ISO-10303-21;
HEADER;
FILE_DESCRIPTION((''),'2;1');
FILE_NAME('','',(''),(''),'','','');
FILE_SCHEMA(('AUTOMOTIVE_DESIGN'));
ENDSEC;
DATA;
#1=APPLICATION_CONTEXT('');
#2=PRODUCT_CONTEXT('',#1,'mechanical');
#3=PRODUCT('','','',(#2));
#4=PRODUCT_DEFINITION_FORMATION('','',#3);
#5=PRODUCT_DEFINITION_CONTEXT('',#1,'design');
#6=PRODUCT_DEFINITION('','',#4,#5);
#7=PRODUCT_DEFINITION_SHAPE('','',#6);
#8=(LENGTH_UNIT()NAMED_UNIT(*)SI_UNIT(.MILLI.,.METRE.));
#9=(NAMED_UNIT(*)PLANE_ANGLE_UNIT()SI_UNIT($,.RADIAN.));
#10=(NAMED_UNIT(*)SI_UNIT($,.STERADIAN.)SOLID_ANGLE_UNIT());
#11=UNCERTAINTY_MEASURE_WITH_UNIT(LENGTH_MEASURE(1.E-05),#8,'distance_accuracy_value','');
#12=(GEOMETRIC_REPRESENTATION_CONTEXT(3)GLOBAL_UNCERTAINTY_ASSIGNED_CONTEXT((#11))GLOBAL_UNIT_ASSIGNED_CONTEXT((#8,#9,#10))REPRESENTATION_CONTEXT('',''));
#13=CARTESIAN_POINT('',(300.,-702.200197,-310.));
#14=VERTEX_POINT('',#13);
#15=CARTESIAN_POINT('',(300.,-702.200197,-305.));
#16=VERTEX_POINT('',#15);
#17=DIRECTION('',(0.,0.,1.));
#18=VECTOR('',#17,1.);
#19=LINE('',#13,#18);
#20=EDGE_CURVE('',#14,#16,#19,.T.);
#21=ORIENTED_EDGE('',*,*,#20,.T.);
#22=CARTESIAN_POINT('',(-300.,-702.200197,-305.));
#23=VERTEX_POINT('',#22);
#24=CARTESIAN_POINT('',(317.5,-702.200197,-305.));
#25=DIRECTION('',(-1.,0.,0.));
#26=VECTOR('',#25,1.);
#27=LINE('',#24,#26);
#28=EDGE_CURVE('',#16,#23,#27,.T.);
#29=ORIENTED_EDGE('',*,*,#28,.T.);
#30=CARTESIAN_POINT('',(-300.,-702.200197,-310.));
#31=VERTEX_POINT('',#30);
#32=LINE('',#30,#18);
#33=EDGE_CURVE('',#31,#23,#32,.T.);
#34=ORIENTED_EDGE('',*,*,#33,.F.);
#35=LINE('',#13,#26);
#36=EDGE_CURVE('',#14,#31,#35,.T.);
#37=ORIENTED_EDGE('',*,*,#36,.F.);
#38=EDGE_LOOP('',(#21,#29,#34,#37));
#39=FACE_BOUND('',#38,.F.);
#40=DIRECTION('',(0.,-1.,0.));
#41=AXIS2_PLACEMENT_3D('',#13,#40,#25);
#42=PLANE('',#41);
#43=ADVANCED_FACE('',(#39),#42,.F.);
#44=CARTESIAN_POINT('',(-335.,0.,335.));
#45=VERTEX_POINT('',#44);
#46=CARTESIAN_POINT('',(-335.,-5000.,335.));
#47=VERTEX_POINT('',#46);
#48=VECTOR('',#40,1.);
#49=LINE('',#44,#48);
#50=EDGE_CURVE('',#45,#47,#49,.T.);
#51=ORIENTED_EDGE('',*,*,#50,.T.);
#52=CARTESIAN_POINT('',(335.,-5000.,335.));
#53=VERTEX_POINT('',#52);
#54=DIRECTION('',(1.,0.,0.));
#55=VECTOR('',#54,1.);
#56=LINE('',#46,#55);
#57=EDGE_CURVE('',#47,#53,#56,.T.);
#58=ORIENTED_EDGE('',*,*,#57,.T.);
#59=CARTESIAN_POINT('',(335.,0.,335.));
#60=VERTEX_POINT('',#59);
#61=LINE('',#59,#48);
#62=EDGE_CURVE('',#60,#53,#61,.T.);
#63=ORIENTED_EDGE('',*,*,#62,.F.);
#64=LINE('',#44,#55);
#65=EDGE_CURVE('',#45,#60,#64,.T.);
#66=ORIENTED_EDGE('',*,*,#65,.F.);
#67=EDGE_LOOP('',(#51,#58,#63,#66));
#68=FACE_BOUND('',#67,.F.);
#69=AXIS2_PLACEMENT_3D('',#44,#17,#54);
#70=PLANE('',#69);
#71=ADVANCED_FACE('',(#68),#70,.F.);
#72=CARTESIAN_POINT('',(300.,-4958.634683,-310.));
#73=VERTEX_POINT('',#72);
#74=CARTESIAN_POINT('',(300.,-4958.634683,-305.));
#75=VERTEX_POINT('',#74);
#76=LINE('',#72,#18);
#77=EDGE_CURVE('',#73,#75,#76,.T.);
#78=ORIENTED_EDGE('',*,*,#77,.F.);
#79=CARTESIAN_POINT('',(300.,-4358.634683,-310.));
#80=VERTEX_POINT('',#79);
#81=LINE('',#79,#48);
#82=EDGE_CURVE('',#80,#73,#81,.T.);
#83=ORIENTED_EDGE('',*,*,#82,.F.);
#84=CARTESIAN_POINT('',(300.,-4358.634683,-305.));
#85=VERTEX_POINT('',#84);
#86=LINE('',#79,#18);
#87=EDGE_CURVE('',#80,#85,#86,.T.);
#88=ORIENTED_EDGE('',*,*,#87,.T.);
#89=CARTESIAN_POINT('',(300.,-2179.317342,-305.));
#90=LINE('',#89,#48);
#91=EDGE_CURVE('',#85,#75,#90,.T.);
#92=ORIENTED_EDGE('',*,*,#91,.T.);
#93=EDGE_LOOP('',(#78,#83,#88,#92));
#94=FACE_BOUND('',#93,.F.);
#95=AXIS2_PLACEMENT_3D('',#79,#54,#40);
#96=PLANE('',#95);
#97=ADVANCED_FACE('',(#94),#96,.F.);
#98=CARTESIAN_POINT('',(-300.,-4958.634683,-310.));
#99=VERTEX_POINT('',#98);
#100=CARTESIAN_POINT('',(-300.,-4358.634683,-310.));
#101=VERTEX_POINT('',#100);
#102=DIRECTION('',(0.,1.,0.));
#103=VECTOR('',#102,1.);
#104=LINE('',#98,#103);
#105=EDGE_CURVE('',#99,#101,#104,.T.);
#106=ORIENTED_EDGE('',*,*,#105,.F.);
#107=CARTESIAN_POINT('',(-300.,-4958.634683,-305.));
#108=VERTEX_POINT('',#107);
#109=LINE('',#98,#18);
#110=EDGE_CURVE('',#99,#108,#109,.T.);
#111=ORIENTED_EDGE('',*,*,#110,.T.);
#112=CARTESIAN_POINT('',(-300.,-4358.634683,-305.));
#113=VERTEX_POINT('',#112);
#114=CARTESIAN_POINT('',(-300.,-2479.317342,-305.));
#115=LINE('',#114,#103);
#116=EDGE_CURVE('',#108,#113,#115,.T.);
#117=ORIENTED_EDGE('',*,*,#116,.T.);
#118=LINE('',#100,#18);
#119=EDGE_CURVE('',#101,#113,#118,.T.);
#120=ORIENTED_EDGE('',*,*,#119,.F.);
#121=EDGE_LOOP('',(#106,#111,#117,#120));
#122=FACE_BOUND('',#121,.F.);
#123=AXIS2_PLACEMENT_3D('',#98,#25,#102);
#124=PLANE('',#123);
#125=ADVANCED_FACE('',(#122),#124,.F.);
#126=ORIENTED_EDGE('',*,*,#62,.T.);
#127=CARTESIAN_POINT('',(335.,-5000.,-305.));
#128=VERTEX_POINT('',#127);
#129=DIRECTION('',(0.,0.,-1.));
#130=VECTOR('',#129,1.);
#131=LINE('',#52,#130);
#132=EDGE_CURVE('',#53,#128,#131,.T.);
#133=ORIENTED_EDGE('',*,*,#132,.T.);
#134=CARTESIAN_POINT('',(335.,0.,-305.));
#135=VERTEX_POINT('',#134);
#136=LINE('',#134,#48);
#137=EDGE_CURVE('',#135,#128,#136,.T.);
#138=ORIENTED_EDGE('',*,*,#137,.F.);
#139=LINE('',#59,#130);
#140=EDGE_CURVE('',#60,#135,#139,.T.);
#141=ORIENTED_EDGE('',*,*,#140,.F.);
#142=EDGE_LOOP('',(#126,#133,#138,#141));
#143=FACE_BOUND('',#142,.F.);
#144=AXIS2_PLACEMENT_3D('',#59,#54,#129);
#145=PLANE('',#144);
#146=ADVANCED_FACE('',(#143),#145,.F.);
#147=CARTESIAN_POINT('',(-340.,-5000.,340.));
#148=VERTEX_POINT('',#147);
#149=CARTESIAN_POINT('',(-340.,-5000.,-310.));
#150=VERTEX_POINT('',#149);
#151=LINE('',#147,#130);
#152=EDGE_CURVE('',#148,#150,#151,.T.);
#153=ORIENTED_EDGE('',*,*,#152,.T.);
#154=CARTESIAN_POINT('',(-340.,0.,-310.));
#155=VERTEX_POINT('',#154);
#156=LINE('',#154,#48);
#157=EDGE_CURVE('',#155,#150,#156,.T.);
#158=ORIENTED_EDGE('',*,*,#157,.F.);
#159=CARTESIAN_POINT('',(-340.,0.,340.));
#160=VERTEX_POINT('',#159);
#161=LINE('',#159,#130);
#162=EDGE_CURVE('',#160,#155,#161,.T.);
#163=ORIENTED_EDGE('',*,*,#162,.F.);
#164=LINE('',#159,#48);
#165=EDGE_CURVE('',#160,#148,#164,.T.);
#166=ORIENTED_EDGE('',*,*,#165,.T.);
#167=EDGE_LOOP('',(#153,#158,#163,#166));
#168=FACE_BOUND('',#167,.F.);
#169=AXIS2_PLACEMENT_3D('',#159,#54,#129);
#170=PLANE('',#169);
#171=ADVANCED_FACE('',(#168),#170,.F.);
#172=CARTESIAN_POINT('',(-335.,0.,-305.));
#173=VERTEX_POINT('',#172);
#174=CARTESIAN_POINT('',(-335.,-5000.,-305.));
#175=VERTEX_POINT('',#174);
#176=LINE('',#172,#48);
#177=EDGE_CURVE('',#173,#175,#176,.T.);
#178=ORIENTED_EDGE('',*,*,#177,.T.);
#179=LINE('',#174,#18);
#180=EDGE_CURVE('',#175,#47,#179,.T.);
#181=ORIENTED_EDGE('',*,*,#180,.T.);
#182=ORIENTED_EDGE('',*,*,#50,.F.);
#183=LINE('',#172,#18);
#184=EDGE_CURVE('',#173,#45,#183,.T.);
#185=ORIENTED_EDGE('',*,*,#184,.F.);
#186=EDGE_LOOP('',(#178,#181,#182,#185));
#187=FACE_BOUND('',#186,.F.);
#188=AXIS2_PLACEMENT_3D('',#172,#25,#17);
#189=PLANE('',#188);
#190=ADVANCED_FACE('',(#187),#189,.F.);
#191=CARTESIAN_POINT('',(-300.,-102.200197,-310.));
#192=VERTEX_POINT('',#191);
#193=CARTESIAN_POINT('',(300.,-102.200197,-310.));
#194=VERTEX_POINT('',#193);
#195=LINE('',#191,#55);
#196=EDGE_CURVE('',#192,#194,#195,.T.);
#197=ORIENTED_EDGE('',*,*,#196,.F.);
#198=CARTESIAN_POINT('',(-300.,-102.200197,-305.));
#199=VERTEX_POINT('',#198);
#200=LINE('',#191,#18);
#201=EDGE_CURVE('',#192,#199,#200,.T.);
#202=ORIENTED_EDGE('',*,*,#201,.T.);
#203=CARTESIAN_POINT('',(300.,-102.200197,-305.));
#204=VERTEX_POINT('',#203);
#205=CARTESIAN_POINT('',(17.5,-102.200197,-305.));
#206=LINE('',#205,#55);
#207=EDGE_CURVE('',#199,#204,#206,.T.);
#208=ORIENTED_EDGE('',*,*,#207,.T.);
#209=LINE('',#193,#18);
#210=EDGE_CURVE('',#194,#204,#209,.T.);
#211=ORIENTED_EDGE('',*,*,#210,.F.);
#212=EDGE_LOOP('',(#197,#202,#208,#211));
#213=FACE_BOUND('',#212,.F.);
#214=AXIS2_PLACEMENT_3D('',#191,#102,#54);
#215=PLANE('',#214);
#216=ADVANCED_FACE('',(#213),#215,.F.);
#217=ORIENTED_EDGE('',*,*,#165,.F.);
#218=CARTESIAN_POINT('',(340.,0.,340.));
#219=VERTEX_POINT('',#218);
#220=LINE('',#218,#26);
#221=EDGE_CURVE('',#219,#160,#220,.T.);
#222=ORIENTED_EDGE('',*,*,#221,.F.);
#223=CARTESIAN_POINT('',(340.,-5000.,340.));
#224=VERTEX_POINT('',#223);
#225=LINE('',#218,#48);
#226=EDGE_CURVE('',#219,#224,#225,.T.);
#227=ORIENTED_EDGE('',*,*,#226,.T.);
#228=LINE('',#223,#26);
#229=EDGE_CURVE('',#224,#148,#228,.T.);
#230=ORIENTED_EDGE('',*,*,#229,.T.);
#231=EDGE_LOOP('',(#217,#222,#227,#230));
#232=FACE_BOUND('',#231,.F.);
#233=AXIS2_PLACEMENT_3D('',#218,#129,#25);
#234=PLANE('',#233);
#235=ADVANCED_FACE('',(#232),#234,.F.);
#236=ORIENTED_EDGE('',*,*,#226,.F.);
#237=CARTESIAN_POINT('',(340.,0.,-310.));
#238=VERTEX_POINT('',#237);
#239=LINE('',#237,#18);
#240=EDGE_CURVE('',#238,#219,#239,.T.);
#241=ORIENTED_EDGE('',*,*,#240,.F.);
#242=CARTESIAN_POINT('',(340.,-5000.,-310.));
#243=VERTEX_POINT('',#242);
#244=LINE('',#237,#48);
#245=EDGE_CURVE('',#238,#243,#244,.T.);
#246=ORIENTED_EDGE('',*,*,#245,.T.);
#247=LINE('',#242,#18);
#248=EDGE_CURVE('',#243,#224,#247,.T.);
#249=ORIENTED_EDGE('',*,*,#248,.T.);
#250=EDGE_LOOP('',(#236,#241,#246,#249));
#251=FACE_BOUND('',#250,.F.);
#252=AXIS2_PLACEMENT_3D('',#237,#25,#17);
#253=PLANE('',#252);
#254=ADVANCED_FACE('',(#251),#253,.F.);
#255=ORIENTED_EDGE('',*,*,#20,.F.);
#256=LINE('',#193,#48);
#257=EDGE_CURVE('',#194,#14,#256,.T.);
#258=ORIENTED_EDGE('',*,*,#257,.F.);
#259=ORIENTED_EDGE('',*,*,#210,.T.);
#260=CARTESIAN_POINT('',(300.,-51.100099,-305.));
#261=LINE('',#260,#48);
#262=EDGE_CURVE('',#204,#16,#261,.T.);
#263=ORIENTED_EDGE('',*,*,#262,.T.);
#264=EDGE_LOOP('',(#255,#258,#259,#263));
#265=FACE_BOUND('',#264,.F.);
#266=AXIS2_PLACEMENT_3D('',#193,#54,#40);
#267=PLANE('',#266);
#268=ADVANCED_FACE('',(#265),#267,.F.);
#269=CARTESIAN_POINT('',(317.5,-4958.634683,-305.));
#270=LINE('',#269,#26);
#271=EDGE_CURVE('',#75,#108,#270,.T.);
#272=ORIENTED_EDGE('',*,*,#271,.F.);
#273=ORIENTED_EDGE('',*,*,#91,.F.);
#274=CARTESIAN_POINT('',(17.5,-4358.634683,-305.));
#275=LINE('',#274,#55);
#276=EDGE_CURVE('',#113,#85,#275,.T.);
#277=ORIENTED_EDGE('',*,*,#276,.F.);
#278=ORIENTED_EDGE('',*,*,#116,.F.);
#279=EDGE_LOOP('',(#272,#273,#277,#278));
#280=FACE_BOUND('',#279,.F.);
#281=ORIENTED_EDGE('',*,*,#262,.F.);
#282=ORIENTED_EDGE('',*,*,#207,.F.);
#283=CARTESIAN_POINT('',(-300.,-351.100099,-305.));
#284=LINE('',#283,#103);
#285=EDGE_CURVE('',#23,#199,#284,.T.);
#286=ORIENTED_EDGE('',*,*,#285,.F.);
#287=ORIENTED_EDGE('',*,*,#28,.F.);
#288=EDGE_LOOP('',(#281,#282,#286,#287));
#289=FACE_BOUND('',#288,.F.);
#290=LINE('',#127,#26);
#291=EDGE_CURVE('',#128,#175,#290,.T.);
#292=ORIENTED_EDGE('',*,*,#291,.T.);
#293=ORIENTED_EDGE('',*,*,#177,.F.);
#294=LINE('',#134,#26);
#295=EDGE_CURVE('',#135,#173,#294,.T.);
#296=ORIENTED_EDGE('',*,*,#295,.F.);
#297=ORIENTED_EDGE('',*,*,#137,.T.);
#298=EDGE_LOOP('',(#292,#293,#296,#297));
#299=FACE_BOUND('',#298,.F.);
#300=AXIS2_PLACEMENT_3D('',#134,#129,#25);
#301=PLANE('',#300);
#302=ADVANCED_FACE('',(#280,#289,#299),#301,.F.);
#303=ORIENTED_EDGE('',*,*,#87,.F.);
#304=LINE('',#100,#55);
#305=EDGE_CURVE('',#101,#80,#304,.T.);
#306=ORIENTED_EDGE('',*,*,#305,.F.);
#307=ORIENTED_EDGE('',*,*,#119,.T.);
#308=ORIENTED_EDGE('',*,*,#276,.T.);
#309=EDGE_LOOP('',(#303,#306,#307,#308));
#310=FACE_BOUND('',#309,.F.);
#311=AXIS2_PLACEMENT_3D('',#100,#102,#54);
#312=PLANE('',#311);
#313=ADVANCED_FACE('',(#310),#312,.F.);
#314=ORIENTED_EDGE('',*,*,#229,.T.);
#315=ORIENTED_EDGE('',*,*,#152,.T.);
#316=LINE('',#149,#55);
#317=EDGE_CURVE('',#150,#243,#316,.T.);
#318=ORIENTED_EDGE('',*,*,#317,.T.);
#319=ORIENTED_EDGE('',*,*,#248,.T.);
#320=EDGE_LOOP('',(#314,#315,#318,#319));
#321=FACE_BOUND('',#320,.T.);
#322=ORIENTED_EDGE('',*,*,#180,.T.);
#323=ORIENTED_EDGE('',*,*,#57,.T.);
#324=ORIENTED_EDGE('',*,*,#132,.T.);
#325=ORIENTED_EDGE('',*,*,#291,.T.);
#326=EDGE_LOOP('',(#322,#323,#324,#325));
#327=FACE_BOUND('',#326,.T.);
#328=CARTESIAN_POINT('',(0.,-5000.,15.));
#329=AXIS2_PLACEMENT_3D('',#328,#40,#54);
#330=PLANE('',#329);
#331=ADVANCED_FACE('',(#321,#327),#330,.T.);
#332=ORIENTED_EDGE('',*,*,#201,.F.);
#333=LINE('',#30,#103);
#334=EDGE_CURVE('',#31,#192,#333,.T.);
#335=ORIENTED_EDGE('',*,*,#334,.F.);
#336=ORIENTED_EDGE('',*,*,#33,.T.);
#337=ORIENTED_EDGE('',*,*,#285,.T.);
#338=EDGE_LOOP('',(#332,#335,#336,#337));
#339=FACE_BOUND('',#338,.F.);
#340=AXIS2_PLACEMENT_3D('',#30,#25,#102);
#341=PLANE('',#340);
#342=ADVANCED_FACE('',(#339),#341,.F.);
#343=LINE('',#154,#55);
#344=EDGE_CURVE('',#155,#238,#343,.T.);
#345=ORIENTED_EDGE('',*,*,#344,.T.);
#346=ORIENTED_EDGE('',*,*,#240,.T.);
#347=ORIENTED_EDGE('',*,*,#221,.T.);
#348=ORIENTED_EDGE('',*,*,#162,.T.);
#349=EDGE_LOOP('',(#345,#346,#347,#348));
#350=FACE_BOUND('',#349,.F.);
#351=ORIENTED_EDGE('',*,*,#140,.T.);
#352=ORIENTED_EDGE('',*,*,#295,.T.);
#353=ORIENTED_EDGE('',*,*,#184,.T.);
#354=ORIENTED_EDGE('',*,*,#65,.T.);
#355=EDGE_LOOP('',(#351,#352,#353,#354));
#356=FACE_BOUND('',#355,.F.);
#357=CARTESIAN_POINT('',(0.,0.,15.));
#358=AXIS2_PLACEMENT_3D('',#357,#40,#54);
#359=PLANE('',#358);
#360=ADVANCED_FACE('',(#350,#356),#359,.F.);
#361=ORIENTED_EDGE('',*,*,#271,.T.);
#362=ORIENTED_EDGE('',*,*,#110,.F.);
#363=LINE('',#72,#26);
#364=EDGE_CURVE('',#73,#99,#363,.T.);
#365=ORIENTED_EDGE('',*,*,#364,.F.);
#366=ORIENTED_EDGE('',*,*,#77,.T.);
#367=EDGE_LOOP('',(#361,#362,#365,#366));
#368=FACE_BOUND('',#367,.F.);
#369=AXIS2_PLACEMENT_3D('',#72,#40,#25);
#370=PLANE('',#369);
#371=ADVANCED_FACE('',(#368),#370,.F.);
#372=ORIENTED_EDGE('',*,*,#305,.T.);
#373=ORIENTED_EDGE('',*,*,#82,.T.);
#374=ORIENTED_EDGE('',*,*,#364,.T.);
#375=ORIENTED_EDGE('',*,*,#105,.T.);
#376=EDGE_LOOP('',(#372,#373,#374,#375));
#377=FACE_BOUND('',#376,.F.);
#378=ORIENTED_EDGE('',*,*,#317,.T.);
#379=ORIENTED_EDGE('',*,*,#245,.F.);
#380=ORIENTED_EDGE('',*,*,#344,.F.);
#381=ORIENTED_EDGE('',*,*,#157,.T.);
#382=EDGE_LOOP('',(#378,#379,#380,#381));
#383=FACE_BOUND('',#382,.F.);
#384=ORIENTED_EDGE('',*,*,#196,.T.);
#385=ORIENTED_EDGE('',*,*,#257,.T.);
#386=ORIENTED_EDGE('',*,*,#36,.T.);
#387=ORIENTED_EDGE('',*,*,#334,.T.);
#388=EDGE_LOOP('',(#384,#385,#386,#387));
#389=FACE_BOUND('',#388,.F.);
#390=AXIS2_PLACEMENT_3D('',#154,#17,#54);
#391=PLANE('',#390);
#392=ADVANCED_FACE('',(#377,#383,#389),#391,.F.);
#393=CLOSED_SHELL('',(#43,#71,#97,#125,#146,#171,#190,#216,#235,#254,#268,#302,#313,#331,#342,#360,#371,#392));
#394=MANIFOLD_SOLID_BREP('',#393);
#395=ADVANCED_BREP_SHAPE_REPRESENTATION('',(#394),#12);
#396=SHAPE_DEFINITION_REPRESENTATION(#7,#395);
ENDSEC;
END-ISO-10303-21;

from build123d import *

# Parameters (mm, degrees)
F1_DEPTH = 5000
F3_DEPTH = 25


with BuildPart() as f1:
    # F0 (on Front) → F1 (new body)
    with BuildSketch(Plane.XZ):
        Polygon((340, -310), (340, 0), (340, 340), (-340, 340), (-340, 0), (-340, -310), align=None)
        Polygon((335, 335), (335, 0), (335, -305), (-335, -305), (-335, 0), (-335, 335), align=None, mode=Mode.SUBTRACT)
    extrude(amount=F1_DEPTH)

    # F2 (on face) → F3 (cut)
    with BuildSketch(Plane(origin=(0, 0, -310), x_dir=(1, 0, 0), z_dir=(0, 0, -1))):
        Polygon((-300, 4358.634683), (0, 4358.634683), (300, 4358.634683), (300, 4958.634683), (0, 4958.634683), (-300, 4958.634683), align=None)
        Polygon((300, 702.200197), (0, 702.200197), (-300, 702.200197), (-300, 102.200197), (0, 102.200197), (300, 102.200197), align=None)
    extrude(amount=-F3_DEPTH, mode=Mode.SUBTRACT)


solid = f1.part
